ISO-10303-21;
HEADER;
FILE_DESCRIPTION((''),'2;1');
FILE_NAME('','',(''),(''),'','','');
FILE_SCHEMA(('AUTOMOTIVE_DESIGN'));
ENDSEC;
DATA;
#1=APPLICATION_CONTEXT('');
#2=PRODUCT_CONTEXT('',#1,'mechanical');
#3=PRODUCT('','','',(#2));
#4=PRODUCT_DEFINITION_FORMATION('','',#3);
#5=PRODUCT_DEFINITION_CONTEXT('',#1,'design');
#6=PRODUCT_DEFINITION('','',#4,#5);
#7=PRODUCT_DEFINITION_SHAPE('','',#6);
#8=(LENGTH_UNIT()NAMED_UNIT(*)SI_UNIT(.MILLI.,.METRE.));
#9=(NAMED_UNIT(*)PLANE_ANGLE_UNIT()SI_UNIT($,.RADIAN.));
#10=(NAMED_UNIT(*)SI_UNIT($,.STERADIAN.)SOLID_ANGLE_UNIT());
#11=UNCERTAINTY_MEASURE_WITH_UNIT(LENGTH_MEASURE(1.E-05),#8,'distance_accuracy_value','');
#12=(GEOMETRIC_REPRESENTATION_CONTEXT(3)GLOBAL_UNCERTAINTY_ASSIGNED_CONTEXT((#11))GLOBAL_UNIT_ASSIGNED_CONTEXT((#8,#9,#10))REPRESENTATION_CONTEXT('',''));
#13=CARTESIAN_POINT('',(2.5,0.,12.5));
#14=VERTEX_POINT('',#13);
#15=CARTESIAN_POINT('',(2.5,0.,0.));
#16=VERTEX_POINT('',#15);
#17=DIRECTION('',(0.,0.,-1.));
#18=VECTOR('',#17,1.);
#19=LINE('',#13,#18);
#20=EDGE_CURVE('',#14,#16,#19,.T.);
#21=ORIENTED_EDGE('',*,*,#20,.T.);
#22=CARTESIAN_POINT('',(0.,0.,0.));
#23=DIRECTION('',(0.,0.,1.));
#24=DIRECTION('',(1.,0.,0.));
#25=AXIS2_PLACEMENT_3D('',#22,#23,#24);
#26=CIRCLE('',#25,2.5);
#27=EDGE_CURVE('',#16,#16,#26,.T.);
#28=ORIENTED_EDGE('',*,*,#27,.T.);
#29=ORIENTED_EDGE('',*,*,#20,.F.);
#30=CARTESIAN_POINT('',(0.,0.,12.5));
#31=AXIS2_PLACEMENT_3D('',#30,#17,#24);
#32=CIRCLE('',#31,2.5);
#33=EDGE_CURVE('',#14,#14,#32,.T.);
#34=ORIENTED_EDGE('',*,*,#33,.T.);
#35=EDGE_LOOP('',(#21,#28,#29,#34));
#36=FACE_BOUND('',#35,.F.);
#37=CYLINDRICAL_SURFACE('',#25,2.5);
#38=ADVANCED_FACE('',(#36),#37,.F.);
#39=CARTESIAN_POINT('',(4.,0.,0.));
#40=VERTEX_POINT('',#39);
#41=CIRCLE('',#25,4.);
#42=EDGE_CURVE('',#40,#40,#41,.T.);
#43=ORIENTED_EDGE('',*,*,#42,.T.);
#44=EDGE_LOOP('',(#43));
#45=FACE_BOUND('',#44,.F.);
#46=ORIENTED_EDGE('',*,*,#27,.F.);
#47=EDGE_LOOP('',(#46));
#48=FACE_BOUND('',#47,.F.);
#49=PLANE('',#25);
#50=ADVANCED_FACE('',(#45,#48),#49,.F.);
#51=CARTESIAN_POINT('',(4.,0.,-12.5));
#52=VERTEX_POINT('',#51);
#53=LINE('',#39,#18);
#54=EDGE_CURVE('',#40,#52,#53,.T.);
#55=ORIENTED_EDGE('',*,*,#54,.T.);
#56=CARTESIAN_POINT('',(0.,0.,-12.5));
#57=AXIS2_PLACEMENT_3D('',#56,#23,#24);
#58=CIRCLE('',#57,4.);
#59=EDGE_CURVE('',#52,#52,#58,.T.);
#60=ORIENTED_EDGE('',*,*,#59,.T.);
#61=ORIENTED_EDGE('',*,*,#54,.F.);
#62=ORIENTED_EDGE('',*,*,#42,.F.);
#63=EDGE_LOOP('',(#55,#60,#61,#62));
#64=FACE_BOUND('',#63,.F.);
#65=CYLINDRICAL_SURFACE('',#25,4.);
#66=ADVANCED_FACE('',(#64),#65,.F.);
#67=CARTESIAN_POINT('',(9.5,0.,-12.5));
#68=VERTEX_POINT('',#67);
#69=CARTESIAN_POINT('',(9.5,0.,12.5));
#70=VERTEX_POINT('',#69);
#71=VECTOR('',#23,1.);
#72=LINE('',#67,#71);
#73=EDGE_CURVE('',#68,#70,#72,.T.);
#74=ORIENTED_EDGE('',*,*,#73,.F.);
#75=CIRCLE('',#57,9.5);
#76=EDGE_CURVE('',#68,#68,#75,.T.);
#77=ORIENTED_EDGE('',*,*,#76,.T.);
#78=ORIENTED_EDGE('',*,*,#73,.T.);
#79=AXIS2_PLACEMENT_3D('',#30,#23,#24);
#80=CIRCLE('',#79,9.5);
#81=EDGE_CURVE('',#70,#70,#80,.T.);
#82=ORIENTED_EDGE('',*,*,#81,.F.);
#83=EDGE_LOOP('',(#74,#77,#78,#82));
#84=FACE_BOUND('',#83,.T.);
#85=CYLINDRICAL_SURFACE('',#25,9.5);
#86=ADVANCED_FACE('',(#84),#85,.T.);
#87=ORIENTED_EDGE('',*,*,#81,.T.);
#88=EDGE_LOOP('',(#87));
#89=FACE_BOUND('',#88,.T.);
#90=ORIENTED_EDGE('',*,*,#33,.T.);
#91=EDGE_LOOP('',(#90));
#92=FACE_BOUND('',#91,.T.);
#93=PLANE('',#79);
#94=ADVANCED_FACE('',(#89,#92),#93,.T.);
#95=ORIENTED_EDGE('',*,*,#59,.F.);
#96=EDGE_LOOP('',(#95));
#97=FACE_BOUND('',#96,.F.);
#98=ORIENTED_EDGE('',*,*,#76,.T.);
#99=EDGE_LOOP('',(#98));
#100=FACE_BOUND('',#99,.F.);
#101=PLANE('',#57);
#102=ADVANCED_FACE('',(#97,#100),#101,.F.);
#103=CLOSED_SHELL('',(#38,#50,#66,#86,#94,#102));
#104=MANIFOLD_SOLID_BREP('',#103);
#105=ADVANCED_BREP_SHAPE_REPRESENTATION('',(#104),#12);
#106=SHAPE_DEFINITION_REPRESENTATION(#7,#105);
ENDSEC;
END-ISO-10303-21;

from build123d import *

# Parameters (mm, degrees)
SKETCH_R          = 9.5
PAD_DEPTH         = 12.5
SKETCH001_R       = 2.5
POCKET_DEPTH      = 12.501
POCKET_DEPTH_BACK = -12.501
SKETCH002_R       = 4
POCKET001_DEPTH   = 12.501


with BuildPart() as part:
    # Sketch → Pad (new body, symmetric)
    with BuildSketch(Plane.XY):
        Circle(SKETCH_R)
    extrude(amount=PAD_DEPTH, both=True)

    # Sketch001 → Pocket (cut, two sides)
    with BuildSketch(Plane.XY) as pocket_sk:
        Circle(SKETCH001_R)
    extrude(amount=-POCKET_DEPTH, mode=Mode.SUBTRACT)
    extrude(pocket_sk.sketch, amount=-POCKET_DEPTH_BACK, mode=Mode.SUBTRACT)

    # Sketch002 → Pocket001 (cut, through all)
    with BuildSketch(Plane.XY):
        Circle(SKETCH002_R)
    extrude(amount=-POCKET001_DEPTH, mode=Mode.SUBTRACT)


solid = part.part
